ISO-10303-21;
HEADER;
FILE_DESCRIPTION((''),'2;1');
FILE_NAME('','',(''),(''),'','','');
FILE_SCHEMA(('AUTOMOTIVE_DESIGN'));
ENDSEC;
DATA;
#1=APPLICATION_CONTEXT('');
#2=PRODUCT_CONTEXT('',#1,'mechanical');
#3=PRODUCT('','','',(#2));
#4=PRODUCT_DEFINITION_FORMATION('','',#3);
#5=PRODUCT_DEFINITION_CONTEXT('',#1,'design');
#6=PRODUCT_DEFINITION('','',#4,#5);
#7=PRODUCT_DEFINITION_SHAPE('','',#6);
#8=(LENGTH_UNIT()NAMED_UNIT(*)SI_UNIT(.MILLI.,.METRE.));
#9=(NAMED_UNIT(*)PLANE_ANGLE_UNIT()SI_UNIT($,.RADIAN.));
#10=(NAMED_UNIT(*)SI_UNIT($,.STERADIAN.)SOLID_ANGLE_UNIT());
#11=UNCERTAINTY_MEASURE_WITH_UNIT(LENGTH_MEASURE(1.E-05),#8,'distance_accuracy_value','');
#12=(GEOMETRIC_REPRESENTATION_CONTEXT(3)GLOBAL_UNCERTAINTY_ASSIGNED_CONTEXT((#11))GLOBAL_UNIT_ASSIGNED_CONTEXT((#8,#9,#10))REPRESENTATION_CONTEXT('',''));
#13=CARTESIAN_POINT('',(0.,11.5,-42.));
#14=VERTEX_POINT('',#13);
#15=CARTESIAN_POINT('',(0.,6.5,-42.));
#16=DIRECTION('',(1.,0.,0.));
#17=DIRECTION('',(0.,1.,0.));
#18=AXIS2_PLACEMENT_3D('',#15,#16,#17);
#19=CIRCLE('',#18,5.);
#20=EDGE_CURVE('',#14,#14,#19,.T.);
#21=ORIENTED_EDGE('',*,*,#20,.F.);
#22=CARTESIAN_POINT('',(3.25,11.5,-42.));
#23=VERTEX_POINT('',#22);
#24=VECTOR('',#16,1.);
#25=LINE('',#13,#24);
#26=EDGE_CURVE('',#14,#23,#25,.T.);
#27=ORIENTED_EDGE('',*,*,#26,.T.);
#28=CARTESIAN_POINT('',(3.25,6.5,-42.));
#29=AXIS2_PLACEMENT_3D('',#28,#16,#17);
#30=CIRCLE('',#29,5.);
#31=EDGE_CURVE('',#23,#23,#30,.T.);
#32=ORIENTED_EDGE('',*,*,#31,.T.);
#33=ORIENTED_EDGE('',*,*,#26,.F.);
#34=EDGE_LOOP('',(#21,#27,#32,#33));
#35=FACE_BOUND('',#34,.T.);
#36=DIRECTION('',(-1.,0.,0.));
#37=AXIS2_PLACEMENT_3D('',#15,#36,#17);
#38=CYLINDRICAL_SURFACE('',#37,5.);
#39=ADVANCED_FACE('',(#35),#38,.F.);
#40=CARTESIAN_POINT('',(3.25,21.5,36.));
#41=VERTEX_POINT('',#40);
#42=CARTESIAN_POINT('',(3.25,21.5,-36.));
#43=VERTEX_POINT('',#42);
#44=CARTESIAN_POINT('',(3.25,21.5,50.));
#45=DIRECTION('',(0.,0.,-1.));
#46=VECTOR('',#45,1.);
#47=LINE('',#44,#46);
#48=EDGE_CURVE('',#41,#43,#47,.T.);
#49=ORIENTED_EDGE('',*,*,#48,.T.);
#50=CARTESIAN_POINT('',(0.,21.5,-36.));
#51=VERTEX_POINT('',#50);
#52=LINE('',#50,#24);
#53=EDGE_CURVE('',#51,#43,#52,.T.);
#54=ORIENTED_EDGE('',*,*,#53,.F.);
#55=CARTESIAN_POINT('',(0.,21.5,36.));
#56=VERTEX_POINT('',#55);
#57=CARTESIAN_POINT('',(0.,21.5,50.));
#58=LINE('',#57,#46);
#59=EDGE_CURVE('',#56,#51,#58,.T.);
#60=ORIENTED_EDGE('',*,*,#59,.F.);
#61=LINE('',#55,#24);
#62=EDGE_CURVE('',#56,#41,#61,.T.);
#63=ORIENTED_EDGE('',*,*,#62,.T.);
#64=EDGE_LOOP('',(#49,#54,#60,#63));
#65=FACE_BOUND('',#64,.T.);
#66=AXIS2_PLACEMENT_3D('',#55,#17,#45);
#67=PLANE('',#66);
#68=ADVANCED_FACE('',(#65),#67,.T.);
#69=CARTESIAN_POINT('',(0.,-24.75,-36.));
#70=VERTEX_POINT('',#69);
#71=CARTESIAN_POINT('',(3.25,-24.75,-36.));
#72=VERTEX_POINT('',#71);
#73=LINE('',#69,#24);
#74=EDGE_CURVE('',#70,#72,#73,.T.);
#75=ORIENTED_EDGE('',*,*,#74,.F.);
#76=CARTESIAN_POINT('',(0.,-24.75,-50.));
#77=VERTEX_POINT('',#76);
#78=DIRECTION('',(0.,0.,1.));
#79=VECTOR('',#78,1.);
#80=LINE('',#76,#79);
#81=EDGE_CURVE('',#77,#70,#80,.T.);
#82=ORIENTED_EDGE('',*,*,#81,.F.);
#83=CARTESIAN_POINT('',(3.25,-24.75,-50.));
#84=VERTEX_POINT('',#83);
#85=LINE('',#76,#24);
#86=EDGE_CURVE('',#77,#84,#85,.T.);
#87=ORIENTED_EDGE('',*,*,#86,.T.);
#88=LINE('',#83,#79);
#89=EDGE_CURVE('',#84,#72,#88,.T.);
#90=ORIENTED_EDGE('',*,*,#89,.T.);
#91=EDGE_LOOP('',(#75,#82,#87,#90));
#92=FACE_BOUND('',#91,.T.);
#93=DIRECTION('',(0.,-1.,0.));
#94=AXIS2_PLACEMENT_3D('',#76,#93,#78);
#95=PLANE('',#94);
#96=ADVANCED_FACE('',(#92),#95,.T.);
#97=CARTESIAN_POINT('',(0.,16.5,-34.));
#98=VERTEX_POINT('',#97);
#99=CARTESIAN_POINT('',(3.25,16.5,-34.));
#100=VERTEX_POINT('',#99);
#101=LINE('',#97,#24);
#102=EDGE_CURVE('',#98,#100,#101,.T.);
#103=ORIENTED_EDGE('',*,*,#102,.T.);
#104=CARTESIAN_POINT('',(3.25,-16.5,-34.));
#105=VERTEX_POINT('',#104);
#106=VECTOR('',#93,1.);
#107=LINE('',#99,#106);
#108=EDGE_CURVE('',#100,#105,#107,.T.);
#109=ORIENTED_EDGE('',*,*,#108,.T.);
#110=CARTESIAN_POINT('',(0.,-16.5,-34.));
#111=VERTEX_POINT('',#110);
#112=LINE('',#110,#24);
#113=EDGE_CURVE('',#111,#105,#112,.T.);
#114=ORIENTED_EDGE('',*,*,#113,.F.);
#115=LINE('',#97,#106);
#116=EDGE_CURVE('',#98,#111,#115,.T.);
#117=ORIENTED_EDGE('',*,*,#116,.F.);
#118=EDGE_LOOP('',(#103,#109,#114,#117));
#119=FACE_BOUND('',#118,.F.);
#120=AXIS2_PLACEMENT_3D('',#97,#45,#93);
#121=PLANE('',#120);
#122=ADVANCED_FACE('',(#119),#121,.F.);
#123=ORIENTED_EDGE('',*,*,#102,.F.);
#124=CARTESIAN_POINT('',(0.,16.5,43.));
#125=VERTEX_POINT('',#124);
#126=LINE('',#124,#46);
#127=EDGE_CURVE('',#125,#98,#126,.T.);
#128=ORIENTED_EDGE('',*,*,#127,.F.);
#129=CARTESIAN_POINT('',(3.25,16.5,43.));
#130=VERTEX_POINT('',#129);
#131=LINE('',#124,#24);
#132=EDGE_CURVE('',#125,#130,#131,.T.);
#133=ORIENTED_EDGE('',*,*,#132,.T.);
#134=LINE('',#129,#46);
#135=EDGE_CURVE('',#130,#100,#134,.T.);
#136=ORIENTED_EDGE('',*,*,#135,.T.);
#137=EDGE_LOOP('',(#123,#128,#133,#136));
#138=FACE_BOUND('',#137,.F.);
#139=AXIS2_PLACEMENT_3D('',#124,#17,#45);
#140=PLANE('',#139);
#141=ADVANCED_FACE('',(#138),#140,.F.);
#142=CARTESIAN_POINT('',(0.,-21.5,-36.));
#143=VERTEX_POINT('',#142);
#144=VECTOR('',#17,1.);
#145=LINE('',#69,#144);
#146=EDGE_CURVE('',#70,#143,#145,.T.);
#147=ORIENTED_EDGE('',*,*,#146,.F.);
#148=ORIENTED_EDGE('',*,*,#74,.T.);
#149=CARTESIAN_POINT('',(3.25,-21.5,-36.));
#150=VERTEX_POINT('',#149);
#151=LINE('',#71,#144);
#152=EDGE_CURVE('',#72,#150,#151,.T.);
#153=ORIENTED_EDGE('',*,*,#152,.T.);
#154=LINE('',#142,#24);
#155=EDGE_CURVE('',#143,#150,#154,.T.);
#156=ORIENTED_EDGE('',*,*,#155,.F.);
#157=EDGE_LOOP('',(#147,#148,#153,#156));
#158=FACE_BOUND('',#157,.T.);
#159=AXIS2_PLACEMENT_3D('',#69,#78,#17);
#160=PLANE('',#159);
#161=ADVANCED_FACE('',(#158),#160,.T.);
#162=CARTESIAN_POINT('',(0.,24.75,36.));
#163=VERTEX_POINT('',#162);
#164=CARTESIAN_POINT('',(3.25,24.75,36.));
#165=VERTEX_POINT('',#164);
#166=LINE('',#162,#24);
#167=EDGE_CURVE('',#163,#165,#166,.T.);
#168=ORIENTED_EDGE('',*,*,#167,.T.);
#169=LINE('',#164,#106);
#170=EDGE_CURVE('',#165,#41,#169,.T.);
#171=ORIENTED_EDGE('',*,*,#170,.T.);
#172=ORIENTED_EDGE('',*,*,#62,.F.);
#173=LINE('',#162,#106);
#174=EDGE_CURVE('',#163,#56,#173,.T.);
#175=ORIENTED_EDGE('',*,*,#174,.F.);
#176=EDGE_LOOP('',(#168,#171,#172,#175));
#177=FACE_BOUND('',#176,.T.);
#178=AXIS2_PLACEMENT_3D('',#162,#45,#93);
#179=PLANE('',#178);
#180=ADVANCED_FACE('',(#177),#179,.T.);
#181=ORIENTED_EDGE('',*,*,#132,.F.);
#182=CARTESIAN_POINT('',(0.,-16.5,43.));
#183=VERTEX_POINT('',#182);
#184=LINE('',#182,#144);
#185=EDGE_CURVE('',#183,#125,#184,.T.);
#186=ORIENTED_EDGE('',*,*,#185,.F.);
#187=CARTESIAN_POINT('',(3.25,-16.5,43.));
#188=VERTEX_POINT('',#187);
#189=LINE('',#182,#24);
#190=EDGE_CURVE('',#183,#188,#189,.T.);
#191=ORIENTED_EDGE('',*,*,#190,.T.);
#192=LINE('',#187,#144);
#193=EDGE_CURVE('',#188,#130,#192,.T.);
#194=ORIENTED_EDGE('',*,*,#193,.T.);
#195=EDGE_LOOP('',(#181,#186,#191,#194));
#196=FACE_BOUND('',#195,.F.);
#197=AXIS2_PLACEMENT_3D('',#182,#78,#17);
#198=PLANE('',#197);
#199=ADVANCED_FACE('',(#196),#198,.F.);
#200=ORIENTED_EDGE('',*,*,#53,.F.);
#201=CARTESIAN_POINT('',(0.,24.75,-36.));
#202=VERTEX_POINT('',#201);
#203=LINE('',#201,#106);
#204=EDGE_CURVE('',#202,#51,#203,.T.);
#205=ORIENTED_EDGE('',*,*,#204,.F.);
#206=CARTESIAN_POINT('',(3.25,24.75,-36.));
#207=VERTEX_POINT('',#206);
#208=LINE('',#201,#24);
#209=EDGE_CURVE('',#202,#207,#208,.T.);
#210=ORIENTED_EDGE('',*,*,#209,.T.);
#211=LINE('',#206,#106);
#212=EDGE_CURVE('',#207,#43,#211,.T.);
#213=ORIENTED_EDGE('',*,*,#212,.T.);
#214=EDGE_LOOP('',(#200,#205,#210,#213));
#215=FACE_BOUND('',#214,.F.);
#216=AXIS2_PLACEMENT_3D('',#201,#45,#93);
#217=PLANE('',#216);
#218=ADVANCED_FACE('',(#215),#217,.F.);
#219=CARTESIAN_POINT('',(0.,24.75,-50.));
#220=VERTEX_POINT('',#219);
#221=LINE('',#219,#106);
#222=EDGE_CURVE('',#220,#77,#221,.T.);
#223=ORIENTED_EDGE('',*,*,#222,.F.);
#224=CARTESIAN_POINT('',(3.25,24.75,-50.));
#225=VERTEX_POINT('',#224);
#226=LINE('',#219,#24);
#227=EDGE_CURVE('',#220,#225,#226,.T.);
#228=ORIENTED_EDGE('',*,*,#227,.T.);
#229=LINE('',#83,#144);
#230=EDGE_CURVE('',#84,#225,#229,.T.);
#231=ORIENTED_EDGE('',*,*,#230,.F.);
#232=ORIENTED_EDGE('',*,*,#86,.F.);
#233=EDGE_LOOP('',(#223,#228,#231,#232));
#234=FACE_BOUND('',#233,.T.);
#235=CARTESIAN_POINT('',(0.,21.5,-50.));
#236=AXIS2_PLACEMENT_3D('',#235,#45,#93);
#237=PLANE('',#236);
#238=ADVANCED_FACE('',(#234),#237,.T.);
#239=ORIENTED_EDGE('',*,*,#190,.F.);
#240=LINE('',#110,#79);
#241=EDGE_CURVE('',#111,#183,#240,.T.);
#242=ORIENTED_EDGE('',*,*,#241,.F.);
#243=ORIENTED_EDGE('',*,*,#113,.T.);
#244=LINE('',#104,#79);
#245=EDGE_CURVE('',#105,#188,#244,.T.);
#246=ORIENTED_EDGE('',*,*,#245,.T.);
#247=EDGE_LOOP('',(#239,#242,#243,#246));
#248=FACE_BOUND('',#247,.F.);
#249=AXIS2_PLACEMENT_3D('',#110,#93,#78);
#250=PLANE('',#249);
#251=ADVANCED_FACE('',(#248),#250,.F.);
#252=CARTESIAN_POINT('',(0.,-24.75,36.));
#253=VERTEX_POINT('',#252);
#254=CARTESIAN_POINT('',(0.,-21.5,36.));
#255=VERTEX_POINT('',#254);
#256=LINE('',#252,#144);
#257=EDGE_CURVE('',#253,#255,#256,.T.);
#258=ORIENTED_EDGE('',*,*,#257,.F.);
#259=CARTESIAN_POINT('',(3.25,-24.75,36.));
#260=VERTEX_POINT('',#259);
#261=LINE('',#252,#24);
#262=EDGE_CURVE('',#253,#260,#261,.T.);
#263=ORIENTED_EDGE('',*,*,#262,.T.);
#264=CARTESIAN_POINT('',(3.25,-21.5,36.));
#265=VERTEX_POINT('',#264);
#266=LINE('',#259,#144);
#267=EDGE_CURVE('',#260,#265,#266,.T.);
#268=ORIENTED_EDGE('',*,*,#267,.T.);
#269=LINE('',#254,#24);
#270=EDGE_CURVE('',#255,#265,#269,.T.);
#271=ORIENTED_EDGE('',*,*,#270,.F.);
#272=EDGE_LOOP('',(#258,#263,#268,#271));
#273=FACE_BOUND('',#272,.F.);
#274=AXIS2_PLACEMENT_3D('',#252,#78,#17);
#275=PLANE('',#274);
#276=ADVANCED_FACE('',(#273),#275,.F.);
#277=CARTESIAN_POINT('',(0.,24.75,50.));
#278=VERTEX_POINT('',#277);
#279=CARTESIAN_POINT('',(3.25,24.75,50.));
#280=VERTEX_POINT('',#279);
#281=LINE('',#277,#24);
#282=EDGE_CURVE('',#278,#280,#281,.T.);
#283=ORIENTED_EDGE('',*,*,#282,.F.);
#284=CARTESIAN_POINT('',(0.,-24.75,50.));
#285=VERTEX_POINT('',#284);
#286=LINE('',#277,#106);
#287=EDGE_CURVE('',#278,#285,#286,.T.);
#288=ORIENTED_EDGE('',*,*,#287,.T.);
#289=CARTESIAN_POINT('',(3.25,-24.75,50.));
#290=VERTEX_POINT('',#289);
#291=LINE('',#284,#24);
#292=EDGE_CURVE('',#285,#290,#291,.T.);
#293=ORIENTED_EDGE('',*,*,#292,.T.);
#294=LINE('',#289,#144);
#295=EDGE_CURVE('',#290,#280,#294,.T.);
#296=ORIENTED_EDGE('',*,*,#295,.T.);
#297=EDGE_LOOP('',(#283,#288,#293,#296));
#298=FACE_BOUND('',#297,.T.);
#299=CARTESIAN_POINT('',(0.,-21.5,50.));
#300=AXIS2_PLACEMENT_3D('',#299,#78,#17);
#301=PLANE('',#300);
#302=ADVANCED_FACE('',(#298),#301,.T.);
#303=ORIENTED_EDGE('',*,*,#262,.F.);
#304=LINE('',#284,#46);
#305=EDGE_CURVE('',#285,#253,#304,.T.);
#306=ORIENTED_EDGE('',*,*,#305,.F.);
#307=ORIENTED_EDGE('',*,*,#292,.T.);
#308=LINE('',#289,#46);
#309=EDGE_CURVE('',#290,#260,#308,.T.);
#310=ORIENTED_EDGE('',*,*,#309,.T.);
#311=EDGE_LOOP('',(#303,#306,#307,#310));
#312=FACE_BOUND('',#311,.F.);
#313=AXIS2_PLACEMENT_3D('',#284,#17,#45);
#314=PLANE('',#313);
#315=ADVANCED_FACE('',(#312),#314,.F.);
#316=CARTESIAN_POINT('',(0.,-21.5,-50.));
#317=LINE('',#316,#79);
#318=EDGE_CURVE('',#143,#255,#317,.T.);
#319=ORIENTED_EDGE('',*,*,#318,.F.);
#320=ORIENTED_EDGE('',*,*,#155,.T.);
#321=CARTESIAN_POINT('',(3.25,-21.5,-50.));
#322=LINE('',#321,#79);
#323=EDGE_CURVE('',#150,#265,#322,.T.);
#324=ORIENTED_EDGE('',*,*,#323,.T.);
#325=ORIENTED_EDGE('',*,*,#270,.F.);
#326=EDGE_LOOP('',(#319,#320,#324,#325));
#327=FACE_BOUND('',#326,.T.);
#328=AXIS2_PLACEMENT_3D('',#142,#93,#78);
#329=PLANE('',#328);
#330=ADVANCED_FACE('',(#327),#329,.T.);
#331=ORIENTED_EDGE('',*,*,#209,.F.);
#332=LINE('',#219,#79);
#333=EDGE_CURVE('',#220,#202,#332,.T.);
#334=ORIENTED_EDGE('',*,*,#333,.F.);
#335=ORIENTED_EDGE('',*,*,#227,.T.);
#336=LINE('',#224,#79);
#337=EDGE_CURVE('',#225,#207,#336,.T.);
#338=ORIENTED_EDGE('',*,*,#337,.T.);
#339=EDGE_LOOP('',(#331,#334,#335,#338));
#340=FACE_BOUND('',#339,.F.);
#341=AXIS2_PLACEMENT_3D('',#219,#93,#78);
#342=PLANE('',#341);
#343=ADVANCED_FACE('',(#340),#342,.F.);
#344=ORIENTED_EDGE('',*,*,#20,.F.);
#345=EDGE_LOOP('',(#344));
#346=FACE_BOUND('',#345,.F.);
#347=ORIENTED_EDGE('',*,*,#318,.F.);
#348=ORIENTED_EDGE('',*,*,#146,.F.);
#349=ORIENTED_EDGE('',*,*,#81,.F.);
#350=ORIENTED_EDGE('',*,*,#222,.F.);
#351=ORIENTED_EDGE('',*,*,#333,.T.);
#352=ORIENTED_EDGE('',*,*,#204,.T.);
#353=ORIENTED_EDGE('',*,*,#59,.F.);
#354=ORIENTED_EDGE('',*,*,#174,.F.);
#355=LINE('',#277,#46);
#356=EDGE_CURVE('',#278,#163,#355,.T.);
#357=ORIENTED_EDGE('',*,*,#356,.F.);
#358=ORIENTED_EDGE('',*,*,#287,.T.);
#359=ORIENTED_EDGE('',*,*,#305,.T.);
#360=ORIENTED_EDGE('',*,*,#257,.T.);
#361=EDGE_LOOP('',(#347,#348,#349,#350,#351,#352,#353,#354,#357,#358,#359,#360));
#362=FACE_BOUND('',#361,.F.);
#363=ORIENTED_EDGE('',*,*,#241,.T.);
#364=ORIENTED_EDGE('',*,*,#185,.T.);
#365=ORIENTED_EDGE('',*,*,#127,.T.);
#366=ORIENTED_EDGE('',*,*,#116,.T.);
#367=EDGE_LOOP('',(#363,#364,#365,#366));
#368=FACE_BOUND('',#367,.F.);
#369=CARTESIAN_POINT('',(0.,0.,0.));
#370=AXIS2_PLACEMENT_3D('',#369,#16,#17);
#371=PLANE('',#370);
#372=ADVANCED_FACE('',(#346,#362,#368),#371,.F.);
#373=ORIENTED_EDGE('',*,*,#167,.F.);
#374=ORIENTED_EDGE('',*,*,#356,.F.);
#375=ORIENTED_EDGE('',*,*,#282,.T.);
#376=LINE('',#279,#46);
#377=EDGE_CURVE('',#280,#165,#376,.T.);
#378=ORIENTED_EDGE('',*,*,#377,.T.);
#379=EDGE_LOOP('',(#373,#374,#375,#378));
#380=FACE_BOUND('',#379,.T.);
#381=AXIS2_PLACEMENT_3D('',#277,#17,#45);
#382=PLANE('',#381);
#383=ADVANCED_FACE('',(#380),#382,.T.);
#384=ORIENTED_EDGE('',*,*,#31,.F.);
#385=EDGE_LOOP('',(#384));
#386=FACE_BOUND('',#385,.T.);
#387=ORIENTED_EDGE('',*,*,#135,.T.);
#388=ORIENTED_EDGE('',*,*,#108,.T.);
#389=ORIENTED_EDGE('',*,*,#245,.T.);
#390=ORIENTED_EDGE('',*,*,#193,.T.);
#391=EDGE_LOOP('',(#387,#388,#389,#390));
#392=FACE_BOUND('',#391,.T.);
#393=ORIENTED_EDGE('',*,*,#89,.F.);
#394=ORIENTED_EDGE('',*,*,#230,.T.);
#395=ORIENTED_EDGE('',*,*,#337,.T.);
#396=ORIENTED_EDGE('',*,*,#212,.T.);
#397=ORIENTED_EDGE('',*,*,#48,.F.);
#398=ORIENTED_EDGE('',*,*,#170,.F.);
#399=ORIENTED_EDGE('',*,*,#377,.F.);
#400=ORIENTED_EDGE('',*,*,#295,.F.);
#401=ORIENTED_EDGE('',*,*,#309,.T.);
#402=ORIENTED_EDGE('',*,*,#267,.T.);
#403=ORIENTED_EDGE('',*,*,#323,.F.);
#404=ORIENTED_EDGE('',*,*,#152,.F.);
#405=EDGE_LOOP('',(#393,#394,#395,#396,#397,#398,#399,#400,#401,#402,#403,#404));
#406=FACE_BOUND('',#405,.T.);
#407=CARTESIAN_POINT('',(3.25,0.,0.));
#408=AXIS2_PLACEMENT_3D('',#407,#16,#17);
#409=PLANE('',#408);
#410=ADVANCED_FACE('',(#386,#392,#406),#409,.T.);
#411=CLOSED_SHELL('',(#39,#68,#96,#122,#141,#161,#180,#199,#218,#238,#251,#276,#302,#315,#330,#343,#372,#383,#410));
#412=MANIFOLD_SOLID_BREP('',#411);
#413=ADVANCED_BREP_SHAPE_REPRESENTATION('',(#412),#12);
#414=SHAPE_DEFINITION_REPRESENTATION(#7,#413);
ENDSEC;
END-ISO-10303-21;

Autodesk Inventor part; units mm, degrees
ref_plane "YZ Plane" through (0, 0, 0) normal (1, 0, 0) x (0, 1, 0)
ref_plane "XZ Plane" through (0, 0, 0) normal (0, 1, 0) x (-1, 0, 0)
ref_plane "XY Plane" through (0, 0, 0) normal (0, 0, 1) x (1, 0, 0)
sketch "Sketch1" plane through (0, 0, 0) normal (1, 0, 0) x (0, 1, 0)
  line L0 (-92.7646, -8.503) -> (-89.7646, -8.503)
  line L1 (-89.7646, -8.503) -> (-89.7646, -11.753)
  line L2 (-89.7646, -11.753) -> (-92.7646, -11.753)
  line L3 (-92.7646, -11.753) -> (-92.7646, -8.503)
  line L4 (-92.7646, -21.6527) -> (-89.7646, -21.6527)
  line L5 (-89.7646, -21.6527) -> (-89.7646, -21.7527)
  line L6 (-89.7646, -21.7527) -> (-92.7646, -21.7527)
  line L7 (-92.7646, -21.7527) -> (-92.7646, -21.6527)
  line L8 (-21.5, 50) -> (21.5, 50)
  line L9 (21.5, 50) -> (21.5, -50)
  line L10 (21.5, -50) -> (-21.5, -50)
  line L11 (-21.5, -50) -> (-21.5, 50)
  line L12 (0, 50) -> (0, -50) construction
  line L13 (-21.5, 0) -> (21.5, 0) construction
  line L14 (-16.5, 43) -> (16.5, 43)
  line L15 (16.5, 43) -> (16.5, -34)
  line L16 (16.5, -34) -> (-16.5, -34)
  line L17 (-16.5, -34) -> (-16.5, 43)
  circle A0 centre (6.5, -42) radius 5
  line L18 (-21.5, 50) -> (-24.75, 50)
  line L19 (-24.75, 50) -> (-24.75, 36)
  line L20 (-24.75, 36) -> (-21.5, 36)
  line L21 (-21.5, 36) -> (-21.5, 50)
  line L22 (21.5, 50) -> (24.75, 50)
  line L23 (24.75, 50) -> (24.75, 36)
  line L24 (24.75, 36) -> (21.5, 36)
  line L25 (21.5, 36) -> (21.5, 50)
  line L26 (-21.5, -50) -> (-24.75, -50)
  line L27 (-24.75, -50) -> (-24.75, -36)
  line L28 (-24.75, -36) -> (-21.5, -36)
  line L29 (-21.5, -36) -> (-21.5, -50)
  line L30 (21.5, -36) -> (21.5, -50)
  line L31 (24.75, -50) -> (24.75, -36)
  line L32 (24.75, -36) -> (21.5, -36)
  line L33 (21.5, -50) -> (24.75, -50)
  point P0 (0, 0)
  dimension "d0" = 3
  dimension "mat" = 3.25
  dimension "d2" = 3
  dimension "kerf" = 0.1
  dimension "d4" = 43
  dimension "d5" = 100
  dimension "d9" = 7
  dimension "d10" = 16
  dimension "d11" = 5
  dimension "d12" = 5
  dimension "d13" = 10
  dimension "d15" = 3
  dimension "d16" = 3.25
  dimension "d17" = 14
  dimension "d24" = 10
extrude "Extrusion1" [suppressed]
extrude "Extrusion2" add sketch "Sketch1" along normal blind 3.25 contours L11 L20 L19 L18 | L22 L23 L24 L9 | L11 L26 L27 L28 | L32 L31 L33 L9
extrude "Extrusion3" add sketch "Sketch1" along normal blind 3.25 contours L8 L9 L10 L11
equation "\"d16\" = mat"
equation "\"d18\" = mat"
equation "\"d20\" = mat"
equation "\"d22\" = mat"
properties part number "body-side2"
